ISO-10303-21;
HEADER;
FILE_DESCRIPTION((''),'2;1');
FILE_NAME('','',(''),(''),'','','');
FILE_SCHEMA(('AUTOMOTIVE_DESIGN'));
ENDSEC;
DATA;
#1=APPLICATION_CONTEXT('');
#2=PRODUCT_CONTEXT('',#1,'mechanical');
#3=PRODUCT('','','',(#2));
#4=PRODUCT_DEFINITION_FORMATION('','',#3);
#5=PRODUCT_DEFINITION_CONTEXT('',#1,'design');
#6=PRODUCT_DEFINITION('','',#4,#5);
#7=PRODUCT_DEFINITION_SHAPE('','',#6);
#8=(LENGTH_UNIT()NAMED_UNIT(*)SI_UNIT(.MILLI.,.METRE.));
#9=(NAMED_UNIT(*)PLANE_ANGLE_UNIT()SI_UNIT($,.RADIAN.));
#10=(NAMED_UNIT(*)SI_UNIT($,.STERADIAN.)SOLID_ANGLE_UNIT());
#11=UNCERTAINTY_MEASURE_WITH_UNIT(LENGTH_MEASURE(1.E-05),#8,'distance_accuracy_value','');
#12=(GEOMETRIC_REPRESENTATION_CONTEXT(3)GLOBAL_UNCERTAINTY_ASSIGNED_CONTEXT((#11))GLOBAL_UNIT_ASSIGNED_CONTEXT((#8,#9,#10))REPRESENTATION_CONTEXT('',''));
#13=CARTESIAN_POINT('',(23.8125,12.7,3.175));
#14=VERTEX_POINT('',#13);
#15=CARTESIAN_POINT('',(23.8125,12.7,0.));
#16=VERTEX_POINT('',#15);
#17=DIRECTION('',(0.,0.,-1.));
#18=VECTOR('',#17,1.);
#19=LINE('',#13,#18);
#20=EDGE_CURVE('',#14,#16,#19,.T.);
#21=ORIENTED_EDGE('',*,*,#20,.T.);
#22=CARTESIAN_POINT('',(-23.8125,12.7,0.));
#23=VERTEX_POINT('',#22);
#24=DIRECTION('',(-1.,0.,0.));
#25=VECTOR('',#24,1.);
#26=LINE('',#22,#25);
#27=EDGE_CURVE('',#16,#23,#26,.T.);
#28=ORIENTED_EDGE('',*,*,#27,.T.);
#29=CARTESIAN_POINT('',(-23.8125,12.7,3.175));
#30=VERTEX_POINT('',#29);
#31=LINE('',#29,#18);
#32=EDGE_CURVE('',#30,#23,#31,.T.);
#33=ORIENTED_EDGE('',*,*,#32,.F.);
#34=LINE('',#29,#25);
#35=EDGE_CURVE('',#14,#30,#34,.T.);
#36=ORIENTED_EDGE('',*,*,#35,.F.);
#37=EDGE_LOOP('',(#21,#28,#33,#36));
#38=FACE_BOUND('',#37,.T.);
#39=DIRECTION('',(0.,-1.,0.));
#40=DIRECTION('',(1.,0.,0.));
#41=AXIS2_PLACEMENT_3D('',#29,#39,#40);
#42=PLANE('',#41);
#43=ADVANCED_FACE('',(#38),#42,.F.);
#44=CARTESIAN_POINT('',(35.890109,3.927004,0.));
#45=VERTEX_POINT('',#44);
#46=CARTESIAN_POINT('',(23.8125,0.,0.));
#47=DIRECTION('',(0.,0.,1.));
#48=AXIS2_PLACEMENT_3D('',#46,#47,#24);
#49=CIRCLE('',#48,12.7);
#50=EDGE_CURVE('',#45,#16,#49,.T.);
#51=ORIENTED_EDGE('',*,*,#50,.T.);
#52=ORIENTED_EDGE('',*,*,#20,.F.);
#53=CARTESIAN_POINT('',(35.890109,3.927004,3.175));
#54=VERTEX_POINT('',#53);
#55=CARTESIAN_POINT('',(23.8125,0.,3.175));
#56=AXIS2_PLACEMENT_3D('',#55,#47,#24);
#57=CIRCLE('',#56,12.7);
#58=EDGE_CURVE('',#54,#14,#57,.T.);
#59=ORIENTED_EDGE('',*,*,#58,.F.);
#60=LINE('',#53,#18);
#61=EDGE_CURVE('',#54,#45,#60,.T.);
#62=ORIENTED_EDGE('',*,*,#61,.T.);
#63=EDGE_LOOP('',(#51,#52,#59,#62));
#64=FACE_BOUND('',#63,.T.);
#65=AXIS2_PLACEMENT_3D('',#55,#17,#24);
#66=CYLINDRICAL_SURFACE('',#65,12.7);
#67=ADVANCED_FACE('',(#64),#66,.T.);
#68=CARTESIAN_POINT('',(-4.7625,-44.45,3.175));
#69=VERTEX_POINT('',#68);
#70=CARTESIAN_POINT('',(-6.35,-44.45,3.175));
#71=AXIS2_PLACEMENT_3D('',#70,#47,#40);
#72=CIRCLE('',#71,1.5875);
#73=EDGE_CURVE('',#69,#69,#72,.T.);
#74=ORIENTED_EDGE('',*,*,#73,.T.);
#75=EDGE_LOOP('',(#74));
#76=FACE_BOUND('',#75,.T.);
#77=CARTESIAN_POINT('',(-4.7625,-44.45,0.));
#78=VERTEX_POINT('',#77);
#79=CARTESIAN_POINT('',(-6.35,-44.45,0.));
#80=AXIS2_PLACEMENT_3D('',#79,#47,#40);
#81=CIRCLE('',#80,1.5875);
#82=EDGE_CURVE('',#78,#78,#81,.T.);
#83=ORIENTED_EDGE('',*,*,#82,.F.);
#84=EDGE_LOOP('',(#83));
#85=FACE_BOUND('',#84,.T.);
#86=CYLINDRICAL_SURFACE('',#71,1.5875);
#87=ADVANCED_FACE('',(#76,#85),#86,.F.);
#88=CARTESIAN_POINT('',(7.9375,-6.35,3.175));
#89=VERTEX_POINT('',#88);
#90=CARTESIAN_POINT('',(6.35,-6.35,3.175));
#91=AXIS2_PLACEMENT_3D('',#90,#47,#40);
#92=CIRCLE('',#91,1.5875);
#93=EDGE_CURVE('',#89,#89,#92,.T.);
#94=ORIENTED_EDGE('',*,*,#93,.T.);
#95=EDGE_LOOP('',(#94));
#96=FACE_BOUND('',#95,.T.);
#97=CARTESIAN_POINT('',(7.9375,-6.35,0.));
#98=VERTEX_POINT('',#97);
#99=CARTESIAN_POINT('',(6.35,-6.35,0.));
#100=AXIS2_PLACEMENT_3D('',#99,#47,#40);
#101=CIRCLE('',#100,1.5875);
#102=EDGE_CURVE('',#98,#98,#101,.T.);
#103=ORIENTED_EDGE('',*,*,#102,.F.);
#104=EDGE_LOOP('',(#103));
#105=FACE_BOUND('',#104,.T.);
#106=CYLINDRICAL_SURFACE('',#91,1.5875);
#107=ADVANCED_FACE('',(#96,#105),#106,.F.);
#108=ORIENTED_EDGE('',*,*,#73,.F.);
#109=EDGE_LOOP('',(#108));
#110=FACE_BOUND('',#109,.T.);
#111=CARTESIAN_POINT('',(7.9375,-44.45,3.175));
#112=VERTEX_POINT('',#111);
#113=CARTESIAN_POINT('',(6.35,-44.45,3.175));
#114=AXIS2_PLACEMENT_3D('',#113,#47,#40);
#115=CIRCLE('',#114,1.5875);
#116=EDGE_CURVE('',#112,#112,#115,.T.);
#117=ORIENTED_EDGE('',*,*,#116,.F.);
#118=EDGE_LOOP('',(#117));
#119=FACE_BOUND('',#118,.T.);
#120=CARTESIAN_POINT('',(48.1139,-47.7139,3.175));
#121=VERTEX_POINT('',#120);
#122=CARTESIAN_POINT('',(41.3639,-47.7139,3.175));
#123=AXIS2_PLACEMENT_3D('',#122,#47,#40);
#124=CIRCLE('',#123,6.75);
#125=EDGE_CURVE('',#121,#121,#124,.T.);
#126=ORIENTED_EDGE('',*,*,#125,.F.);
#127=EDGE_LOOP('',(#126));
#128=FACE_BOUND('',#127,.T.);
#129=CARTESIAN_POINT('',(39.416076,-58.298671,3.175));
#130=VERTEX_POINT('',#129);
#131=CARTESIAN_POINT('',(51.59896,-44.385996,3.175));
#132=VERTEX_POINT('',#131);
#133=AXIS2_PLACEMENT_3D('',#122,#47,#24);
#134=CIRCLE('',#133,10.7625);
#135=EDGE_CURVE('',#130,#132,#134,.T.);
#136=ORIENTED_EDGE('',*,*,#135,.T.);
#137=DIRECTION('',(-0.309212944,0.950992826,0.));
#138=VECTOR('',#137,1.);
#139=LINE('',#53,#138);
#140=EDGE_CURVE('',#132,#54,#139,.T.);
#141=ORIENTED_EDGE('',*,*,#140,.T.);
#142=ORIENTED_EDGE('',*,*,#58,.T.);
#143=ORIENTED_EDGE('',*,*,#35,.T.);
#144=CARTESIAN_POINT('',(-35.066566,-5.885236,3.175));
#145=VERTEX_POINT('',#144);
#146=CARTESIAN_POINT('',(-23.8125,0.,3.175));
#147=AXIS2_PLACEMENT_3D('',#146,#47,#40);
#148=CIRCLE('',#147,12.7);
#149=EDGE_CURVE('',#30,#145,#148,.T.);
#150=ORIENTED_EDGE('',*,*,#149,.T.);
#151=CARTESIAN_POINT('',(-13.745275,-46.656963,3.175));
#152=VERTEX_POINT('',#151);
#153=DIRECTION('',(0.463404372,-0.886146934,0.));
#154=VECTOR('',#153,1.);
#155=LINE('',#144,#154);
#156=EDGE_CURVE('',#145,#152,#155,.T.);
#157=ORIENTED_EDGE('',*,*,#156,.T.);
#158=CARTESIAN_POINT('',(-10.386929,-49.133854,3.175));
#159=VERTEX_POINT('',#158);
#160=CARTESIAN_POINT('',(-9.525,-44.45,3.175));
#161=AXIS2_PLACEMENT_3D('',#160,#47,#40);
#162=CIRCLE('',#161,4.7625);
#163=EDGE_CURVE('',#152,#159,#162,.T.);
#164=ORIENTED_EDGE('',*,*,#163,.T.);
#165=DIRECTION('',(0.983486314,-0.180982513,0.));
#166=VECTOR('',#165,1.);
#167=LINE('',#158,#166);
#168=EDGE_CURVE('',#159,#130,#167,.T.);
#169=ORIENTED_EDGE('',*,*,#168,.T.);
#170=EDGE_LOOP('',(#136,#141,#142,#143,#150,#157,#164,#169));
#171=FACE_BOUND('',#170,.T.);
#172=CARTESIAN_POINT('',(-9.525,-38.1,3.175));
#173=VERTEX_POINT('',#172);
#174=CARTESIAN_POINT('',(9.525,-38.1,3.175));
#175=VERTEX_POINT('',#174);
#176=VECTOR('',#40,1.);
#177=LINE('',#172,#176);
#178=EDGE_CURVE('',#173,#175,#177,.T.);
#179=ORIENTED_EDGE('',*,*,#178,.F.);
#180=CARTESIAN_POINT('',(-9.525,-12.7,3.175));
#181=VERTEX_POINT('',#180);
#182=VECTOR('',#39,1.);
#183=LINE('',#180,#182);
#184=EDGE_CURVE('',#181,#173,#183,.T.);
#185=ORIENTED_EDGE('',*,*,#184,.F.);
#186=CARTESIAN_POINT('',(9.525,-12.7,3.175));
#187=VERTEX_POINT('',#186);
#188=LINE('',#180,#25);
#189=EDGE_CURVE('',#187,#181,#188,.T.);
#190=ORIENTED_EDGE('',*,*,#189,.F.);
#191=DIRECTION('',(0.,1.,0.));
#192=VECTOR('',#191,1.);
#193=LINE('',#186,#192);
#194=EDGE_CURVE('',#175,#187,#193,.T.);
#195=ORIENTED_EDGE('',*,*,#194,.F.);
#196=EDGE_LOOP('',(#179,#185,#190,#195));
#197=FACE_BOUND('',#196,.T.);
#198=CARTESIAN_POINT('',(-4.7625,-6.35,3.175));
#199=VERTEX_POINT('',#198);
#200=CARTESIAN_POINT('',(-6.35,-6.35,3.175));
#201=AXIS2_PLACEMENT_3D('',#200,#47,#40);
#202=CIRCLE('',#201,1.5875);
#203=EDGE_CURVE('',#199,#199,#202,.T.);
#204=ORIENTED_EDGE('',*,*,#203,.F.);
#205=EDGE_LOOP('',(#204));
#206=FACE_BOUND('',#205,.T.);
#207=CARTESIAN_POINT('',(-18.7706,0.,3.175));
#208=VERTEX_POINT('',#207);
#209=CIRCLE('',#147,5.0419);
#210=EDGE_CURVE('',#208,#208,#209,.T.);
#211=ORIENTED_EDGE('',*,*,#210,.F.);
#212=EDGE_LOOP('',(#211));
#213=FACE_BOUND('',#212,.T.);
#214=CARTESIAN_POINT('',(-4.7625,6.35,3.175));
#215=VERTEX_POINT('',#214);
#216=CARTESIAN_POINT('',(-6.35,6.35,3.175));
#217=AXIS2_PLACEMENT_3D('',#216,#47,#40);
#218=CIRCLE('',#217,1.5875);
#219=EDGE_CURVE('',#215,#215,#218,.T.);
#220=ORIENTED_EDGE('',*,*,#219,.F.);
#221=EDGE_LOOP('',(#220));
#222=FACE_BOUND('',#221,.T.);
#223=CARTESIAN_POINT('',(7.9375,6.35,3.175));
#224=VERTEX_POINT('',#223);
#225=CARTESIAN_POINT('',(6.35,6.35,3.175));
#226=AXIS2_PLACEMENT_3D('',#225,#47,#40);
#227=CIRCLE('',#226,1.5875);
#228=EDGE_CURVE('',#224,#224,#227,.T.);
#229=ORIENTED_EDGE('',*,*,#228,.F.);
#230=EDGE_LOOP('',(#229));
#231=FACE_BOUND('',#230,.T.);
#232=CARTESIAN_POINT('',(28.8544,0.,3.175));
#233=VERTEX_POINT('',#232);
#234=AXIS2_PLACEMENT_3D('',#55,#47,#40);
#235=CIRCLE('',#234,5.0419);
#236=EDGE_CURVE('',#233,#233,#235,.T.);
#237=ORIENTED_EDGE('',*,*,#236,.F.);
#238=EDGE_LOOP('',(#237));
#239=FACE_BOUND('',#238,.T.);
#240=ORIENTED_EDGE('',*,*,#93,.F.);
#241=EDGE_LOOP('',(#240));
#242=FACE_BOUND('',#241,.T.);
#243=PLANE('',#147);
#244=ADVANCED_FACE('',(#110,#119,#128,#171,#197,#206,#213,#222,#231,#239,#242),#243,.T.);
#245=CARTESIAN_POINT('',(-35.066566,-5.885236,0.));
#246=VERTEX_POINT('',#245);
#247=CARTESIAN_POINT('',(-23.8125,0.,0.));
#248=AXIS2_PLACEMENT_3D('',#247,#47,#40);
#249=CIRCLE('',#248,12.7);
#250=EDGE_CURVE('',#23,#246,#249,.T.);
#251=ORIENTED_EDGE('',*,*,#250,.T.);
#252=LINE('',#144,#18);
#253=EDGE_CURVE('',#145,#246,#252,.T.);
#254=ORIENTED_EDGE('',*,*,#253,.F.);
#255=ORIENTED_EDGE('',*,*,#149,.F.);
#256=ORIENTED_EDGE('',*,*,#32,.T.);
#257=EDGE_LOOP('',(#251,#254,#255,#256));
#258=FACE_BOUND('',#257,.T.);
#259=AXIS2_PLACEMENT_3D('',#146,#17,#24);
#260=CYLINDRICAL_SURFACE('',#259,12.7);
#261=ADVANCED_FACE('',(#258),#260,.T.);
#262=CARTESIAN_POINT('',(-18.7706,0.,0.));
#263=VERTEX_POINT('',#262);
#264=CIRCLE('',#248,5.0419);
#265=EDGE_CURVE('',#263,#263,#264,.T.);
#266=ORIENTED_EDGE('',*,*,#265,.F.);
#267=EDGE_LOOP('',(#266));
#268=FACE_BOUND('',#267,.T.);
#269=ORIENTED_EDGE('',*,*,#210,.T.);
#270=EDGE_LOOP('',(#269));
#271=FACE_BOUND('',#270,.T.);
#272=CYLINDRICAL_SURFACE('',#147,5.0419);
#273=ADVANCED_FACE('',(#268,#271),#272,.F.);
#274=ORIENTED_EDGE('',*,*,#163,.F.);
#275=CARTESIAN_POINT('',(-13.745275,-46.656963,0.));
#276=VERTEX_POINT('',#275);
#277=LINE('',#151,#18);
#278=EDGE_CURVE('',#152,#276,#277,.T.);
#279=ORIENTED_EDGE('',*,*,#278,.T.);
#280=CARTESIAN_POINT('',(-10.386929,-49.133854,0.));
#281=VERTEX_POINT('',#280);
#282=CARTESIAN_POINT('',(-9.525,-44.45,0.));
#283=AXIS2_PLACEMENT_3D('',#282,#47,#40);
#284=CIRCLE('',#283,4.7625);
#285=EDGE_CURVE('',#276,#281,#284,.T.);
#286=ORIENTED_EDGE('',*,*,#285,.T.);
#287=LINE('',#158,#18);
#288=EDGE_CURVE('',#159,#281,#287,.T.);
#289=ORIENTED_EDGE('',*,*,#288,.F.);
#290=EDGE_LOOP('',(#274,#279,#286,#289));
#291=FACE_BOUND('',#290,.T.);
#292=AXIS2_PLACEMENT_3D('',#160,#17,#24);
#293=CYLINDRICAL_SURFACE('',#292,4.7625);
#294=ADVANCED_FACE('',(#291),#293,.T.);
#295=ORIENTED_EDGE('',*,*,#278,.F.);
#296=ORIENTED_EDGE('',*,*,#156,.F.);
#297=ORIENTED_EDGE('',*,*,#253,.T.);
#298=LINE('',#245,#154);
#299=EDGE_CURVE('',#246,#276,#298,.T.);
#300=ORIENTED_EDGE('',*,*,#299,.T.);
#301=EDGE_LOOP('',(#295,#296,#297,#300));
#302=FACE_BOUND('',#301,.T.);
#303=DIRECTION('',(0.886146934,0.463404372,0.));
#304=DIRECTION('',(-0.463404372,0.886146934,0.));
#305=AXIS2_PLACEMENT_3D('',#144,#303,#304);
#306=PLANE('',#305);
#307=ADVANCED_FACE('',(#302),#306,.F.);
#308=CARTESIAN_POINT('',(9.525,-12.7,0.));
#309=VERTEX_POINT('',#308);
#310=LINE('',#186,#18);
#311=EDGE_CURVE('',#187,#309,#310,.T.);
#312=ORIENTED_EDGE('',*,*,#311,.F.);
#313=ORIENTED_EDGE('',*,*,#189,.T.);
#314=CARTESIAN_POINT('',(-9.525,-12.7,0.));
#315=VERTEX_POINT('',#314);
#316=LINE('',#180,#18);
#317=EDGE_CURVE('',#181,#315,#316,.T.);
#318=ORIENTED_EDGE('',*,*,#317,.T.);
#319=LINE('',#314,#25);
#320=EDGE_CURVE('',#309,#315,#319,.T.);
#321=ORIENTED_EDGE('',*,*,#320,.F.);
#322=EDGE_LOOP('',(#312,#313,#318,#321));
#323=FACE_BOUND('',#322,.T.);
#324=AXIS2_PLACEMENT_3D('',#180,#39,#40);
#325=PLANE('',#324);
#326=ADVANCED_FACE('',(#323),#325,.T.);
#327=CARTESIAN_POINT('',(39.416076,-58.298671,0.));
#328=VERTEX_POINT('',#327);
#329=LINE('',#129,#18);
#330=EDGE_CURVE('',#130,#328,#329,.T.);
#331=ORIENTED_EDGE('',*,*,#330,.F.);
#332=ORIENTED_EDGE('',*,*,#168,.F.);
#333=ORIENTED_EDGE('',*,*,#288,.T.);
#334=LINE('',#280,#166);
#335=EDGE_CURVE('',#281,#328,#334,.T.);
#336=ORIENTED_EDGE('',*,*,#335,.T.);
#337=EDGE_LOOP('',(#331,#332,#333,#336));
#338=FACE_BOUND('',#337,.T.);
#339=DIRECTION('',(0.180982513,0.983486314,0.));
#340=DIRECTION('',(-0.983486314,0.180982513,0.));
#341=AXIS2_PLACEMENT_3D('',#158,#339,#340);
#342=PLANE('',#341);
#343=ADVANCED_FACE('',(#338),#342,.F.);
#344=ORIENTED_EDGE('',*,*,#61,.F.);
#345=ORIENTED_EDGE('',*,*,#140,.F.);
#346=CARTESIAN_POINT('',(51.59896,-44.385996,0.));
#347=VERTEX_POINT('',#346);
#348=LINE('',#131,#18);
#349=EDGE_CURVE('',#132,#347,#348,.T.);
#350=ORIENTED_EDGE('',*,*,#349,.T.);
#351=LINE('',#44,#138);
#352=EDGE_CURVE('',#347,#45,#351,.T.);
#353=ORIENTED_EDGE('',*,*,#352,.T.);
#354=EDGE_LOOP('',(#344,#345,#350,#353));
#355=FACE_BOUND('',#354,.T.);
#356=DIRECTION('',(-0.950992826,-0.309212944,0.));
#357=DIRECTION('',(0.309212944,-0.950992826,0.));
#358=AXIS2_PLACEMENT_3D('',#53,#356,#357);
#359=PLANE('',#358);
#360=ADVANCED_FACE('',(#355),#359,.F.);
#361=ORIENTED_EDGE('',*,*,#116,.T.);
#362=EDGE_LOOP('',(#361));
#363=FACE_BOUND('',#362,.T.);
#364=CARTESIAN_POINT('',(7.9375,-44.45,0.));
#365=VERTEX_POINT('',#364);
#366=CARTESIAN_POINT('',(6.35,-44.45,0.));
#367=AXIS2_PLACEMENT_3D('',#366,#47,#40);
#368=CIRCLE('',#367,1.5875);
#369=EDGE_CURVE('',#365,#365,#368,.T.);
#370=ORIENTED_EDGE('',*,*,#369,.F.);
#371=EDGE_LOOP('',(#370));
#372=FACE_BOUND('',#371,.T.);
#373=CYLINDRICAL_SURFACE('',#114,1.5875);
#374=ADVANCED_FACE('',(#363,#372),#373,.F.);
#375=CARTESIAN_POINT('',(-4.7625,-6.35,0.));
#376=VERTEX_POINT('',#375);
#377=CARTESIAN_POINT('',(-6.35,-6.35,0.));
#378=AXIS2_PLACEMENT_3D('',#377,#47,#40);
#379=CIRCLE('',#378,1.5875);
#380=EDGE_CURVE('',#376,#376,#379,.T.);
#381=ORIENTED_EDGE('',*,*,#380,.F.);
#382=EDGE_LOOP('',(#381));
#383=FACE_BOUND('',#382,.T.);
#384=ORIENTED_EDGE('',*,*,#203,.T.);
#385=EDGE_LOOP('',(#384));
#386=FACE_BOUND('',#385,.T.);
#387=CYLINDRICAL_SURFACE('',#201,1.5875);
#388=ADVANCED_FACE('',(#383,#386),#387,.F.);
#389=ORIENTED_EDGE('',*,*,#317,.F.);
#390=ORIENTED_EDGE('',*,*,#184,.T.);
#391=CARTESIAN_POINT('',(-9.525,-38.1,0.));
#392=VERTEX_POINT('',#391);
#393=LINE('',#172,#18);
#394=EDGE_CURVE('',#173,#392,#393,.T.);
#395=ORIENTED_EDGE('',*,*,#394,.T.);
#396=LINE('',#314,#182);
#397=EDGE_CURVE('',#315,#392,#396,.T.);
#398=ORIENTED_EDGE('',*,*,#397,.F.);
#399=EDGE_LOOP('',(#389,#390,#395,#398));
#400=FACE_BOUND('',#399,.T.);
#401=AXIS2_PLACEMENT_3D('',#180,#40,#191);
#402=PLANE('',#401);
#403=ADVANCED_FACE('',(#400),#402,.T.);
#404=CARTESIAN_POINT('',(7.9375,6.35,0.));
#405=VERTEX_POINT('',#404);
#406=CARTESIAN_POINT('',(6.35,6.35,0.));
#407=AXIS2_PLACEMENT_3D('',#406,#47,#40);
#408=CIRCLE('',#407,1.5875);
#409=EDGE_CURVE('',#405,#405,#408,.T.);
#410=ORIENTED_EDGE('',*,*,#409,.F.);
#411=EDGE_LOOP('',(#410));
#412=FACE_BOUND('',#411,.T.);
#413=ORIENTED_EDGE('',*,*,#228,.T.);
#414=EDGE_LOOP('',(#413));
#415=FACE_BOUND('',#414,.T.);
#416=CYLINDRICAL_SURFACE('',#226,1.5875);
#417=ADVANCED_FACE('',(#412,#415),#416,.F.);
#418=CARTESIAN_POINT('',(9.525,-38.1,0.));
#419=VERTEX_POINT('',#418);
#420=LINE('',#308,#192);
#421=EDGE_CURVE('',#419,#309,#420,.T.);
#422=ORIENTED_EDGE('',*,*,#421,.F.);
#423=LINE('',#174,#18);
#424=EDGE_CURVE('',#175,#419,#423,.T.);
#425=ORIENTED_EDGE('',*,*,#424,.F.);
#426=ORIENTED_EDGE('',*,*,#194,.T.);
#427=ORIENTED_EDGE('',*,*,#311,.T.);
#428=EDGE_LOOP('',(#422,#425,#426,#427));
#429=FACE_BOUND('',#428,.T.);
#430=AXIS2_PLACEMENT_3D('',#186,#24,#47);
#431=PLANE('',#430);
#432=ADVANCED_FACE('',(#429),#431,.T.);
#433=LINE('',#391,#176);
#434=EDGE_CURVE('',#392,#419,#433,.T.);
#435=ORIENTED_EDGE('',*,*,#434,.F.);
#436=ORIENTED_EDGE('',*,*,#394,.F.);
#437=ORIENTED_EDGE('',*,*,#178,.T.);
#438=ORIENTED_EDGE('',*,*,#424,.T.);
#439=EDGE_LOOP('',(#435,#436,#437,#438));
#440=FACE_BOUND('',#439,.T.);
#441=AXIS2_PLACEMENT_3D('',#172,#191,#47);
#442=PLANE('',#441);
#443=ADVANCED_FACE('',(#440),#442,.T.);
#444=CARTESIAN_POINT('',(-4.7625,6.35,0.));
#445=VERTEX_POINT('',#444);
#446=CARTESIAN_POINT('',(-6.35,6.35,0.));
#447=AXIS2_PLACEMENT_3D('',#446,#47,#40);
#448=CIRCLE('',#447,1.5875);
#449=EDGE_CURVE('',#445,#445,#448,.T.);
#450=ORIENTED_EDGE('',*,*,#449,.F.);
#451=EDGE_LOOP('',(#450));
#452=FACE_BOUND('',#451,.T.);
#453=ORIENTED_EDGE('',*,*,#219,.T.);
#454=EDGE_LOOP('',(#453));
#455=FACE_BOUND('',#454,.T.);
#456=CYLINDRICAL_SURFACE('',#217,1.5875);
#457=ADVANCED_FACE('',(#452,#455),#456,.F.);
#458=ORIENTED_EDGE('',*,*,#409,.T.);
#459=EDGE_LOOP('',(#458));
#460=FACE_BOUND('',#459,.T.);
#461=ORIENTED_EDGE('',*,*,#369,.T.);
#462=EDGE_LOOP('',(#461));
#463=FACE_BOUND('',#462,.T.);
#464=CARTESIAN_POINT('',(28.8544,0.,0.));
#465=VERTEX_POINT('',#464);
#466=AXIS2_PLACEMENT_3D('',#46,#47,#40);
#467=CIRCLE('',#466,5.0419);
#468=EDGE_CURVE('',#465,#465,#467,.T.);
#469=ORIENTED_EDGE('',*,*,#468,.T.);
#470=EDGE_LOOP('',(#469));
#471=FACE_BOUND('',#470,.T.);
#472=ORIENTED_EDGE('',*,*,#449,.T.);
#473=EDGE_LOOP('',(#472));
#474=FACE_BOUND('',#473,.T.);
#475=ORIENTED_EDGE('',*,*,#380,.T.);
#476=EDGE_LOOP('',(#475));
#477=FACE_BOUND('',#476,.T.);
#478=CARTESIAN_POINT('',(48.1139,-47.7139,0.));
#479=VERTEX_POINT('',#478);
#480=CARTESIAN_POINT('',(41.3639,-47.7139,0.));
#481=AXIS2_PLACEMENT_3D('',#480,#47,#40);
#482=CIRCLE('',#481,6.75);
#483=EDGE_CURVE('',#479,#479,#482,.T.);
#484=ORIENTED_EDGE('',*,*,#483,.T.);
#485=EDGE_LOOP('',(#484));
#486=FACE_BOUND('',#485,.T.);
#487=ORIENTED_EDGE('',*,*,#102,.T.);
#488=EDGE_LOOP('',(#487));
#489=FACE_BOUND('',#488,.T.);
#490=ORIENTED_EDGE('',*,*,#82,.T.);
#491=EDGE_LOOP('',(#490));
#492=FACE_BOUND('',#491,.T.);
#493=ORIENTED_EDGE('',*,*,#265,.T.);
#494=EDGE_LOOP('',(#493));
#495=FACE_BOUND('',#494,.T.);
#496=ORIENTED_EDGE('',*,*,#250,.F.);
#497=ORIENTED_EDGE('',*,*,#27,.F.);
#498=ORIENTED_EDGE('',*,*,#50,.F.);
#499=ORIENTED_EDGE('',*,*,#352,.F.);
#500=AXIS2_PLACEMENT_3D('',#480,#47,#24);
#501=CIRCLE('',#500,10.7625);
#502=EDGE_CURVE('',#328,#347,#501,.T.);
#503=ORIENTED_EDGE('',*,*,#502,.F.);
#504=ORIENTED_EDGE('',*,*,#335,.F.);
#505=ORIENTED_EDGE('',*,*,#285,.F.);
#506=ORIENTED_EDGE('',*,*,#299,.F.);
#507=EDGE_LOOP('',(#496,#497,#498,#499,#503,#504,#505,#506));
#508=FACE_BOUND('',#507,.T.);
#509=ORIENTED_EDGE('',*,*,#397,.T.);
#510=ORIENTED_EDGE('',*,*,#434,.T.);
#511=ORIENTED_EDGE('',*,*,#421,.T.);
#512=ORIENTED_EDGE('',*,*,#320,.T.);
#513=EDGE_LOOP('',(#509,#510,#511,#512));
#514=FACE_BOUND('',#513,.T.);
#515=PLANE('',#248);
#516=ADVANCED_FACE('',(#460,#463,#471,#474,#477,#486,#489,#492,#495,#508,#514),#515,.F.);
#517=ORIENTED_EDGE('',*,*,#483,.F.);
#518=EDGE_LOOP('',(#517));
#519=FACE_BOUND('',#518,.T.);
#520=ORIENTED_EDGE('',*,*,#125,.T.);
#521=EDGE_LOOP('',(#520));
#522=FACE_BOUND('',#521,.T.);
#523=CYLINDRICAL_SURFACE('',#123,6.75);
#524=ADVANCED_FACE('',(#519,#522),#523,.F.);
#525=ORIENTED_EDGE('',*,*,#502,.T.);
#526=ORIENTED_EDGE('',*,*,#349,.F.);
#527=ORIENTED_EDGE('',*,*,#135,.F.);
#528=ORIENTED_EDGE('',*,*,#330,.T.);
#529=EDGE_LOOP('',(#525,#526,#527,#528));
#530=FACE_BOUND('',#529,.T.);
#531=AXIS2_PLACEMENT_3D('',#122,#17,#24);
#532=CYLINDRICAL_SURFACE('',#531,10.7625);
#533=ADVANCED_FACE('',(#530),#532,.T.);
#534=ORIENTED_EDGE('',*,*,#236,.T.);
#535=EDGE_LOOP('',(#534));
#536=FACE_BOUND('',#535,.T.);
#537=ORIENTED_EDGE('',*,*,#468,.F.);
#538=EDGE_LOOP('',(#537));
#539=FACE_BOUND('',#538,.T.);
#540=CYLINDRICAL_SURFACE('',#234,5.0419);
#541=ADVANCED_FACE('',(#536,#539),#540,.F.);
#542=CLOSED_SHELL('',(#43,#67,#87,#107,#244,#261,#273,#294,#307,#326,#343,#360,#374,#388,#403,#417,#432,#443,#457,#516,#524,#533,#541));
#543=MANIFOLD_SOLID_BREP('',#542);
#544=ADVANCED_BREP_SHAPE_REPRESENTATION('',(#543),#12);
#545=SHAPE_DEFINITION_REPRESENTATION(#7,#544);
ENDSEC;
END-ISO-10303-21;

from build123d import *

# Parameters (mm, degrees)
SKETCH1_W                    = 19.05
SKETCH1_H                    = 25.4
BOSS_EXTRUDE1_DEPTH          = 3.175
F_3_8_CLEARANCE_HOLE1_D      = 10.0838
M12_CLEARANCE_HOLE1_D        = 13.5
F_1_8_0_125_DIAMETER_HOLE1_D = 3.175


with BuildPart() as part:
    # Sketch1 → Boss-Extrude1 (new body)
    with BuildSketch(Plane.XY):
        with BuildLine():
            Line((-23.8125, 12.7), (23.8125, 12.7))
            ThreePointArc((23.8125, 12.7), (31.276314181, 10.275284807), (35.890108891, 3.927004389))
            Line((35.890108891, 3.927004389), (51.598960291, -44.38599569))
            ThreePointArc((51.598960291, -44.38599569), (49.460825767, -54.804118571), (39.416075709, -58.298671456))
            Line((39.416075709, -58.298671456), (-10.386929216, -49.133853571))
            ThreePointArc((-10.386929216, -49.133853571), (-12.351826078, -48.282813663), (-13.745274772, -46.65696332))
            Line((-13.745274772, -46.65696332), (-35.06656606, -5.885235519))
            ThreePointArc((-35.06656606, -5.885235519), (-34.676028227, 6.578278989), (-23.8125, 12.7))
        make_face()
        with Locations((0, -25.4)):
            Rectangle(SKETCH1_W, SKETCH1_H, mode=Mode.SUBTRACT)
    extrude(amount=BOSS_EXTRUDE1_DEPTH)

    # 3/8 Clearance Hole1 (through all)
    with Locations(Plane.XY.offset(3.175)):
        with Locations((-23.8125, 0), (23.8125, 0)):
            Hole(F_3_8_CLEARANCE_HOLE1_D / 2)

    # M12 Clearance Hole1 (through all)
    with Locations(Plane.XY.offset(3.175)):
        with Locations((41.3639, -47.7139)):
            Hole(M12_CLEARANCE_HOLE1_D / 2)

    # 1/8 (0.125) Diameter Hole1 (through all)
    with Locations(Plane.XY.offset(3.175)):
        with Locations((6.35, -6.35), (-6.35, 6.35), (-6.35, -6.35), (6.35, 6.35), (-6.35, -44.45), (6.35, -44.45)):
            Hole(F_1_8_0_125_DIAMETER_HOLE1_D / 2)


solid = part.part
